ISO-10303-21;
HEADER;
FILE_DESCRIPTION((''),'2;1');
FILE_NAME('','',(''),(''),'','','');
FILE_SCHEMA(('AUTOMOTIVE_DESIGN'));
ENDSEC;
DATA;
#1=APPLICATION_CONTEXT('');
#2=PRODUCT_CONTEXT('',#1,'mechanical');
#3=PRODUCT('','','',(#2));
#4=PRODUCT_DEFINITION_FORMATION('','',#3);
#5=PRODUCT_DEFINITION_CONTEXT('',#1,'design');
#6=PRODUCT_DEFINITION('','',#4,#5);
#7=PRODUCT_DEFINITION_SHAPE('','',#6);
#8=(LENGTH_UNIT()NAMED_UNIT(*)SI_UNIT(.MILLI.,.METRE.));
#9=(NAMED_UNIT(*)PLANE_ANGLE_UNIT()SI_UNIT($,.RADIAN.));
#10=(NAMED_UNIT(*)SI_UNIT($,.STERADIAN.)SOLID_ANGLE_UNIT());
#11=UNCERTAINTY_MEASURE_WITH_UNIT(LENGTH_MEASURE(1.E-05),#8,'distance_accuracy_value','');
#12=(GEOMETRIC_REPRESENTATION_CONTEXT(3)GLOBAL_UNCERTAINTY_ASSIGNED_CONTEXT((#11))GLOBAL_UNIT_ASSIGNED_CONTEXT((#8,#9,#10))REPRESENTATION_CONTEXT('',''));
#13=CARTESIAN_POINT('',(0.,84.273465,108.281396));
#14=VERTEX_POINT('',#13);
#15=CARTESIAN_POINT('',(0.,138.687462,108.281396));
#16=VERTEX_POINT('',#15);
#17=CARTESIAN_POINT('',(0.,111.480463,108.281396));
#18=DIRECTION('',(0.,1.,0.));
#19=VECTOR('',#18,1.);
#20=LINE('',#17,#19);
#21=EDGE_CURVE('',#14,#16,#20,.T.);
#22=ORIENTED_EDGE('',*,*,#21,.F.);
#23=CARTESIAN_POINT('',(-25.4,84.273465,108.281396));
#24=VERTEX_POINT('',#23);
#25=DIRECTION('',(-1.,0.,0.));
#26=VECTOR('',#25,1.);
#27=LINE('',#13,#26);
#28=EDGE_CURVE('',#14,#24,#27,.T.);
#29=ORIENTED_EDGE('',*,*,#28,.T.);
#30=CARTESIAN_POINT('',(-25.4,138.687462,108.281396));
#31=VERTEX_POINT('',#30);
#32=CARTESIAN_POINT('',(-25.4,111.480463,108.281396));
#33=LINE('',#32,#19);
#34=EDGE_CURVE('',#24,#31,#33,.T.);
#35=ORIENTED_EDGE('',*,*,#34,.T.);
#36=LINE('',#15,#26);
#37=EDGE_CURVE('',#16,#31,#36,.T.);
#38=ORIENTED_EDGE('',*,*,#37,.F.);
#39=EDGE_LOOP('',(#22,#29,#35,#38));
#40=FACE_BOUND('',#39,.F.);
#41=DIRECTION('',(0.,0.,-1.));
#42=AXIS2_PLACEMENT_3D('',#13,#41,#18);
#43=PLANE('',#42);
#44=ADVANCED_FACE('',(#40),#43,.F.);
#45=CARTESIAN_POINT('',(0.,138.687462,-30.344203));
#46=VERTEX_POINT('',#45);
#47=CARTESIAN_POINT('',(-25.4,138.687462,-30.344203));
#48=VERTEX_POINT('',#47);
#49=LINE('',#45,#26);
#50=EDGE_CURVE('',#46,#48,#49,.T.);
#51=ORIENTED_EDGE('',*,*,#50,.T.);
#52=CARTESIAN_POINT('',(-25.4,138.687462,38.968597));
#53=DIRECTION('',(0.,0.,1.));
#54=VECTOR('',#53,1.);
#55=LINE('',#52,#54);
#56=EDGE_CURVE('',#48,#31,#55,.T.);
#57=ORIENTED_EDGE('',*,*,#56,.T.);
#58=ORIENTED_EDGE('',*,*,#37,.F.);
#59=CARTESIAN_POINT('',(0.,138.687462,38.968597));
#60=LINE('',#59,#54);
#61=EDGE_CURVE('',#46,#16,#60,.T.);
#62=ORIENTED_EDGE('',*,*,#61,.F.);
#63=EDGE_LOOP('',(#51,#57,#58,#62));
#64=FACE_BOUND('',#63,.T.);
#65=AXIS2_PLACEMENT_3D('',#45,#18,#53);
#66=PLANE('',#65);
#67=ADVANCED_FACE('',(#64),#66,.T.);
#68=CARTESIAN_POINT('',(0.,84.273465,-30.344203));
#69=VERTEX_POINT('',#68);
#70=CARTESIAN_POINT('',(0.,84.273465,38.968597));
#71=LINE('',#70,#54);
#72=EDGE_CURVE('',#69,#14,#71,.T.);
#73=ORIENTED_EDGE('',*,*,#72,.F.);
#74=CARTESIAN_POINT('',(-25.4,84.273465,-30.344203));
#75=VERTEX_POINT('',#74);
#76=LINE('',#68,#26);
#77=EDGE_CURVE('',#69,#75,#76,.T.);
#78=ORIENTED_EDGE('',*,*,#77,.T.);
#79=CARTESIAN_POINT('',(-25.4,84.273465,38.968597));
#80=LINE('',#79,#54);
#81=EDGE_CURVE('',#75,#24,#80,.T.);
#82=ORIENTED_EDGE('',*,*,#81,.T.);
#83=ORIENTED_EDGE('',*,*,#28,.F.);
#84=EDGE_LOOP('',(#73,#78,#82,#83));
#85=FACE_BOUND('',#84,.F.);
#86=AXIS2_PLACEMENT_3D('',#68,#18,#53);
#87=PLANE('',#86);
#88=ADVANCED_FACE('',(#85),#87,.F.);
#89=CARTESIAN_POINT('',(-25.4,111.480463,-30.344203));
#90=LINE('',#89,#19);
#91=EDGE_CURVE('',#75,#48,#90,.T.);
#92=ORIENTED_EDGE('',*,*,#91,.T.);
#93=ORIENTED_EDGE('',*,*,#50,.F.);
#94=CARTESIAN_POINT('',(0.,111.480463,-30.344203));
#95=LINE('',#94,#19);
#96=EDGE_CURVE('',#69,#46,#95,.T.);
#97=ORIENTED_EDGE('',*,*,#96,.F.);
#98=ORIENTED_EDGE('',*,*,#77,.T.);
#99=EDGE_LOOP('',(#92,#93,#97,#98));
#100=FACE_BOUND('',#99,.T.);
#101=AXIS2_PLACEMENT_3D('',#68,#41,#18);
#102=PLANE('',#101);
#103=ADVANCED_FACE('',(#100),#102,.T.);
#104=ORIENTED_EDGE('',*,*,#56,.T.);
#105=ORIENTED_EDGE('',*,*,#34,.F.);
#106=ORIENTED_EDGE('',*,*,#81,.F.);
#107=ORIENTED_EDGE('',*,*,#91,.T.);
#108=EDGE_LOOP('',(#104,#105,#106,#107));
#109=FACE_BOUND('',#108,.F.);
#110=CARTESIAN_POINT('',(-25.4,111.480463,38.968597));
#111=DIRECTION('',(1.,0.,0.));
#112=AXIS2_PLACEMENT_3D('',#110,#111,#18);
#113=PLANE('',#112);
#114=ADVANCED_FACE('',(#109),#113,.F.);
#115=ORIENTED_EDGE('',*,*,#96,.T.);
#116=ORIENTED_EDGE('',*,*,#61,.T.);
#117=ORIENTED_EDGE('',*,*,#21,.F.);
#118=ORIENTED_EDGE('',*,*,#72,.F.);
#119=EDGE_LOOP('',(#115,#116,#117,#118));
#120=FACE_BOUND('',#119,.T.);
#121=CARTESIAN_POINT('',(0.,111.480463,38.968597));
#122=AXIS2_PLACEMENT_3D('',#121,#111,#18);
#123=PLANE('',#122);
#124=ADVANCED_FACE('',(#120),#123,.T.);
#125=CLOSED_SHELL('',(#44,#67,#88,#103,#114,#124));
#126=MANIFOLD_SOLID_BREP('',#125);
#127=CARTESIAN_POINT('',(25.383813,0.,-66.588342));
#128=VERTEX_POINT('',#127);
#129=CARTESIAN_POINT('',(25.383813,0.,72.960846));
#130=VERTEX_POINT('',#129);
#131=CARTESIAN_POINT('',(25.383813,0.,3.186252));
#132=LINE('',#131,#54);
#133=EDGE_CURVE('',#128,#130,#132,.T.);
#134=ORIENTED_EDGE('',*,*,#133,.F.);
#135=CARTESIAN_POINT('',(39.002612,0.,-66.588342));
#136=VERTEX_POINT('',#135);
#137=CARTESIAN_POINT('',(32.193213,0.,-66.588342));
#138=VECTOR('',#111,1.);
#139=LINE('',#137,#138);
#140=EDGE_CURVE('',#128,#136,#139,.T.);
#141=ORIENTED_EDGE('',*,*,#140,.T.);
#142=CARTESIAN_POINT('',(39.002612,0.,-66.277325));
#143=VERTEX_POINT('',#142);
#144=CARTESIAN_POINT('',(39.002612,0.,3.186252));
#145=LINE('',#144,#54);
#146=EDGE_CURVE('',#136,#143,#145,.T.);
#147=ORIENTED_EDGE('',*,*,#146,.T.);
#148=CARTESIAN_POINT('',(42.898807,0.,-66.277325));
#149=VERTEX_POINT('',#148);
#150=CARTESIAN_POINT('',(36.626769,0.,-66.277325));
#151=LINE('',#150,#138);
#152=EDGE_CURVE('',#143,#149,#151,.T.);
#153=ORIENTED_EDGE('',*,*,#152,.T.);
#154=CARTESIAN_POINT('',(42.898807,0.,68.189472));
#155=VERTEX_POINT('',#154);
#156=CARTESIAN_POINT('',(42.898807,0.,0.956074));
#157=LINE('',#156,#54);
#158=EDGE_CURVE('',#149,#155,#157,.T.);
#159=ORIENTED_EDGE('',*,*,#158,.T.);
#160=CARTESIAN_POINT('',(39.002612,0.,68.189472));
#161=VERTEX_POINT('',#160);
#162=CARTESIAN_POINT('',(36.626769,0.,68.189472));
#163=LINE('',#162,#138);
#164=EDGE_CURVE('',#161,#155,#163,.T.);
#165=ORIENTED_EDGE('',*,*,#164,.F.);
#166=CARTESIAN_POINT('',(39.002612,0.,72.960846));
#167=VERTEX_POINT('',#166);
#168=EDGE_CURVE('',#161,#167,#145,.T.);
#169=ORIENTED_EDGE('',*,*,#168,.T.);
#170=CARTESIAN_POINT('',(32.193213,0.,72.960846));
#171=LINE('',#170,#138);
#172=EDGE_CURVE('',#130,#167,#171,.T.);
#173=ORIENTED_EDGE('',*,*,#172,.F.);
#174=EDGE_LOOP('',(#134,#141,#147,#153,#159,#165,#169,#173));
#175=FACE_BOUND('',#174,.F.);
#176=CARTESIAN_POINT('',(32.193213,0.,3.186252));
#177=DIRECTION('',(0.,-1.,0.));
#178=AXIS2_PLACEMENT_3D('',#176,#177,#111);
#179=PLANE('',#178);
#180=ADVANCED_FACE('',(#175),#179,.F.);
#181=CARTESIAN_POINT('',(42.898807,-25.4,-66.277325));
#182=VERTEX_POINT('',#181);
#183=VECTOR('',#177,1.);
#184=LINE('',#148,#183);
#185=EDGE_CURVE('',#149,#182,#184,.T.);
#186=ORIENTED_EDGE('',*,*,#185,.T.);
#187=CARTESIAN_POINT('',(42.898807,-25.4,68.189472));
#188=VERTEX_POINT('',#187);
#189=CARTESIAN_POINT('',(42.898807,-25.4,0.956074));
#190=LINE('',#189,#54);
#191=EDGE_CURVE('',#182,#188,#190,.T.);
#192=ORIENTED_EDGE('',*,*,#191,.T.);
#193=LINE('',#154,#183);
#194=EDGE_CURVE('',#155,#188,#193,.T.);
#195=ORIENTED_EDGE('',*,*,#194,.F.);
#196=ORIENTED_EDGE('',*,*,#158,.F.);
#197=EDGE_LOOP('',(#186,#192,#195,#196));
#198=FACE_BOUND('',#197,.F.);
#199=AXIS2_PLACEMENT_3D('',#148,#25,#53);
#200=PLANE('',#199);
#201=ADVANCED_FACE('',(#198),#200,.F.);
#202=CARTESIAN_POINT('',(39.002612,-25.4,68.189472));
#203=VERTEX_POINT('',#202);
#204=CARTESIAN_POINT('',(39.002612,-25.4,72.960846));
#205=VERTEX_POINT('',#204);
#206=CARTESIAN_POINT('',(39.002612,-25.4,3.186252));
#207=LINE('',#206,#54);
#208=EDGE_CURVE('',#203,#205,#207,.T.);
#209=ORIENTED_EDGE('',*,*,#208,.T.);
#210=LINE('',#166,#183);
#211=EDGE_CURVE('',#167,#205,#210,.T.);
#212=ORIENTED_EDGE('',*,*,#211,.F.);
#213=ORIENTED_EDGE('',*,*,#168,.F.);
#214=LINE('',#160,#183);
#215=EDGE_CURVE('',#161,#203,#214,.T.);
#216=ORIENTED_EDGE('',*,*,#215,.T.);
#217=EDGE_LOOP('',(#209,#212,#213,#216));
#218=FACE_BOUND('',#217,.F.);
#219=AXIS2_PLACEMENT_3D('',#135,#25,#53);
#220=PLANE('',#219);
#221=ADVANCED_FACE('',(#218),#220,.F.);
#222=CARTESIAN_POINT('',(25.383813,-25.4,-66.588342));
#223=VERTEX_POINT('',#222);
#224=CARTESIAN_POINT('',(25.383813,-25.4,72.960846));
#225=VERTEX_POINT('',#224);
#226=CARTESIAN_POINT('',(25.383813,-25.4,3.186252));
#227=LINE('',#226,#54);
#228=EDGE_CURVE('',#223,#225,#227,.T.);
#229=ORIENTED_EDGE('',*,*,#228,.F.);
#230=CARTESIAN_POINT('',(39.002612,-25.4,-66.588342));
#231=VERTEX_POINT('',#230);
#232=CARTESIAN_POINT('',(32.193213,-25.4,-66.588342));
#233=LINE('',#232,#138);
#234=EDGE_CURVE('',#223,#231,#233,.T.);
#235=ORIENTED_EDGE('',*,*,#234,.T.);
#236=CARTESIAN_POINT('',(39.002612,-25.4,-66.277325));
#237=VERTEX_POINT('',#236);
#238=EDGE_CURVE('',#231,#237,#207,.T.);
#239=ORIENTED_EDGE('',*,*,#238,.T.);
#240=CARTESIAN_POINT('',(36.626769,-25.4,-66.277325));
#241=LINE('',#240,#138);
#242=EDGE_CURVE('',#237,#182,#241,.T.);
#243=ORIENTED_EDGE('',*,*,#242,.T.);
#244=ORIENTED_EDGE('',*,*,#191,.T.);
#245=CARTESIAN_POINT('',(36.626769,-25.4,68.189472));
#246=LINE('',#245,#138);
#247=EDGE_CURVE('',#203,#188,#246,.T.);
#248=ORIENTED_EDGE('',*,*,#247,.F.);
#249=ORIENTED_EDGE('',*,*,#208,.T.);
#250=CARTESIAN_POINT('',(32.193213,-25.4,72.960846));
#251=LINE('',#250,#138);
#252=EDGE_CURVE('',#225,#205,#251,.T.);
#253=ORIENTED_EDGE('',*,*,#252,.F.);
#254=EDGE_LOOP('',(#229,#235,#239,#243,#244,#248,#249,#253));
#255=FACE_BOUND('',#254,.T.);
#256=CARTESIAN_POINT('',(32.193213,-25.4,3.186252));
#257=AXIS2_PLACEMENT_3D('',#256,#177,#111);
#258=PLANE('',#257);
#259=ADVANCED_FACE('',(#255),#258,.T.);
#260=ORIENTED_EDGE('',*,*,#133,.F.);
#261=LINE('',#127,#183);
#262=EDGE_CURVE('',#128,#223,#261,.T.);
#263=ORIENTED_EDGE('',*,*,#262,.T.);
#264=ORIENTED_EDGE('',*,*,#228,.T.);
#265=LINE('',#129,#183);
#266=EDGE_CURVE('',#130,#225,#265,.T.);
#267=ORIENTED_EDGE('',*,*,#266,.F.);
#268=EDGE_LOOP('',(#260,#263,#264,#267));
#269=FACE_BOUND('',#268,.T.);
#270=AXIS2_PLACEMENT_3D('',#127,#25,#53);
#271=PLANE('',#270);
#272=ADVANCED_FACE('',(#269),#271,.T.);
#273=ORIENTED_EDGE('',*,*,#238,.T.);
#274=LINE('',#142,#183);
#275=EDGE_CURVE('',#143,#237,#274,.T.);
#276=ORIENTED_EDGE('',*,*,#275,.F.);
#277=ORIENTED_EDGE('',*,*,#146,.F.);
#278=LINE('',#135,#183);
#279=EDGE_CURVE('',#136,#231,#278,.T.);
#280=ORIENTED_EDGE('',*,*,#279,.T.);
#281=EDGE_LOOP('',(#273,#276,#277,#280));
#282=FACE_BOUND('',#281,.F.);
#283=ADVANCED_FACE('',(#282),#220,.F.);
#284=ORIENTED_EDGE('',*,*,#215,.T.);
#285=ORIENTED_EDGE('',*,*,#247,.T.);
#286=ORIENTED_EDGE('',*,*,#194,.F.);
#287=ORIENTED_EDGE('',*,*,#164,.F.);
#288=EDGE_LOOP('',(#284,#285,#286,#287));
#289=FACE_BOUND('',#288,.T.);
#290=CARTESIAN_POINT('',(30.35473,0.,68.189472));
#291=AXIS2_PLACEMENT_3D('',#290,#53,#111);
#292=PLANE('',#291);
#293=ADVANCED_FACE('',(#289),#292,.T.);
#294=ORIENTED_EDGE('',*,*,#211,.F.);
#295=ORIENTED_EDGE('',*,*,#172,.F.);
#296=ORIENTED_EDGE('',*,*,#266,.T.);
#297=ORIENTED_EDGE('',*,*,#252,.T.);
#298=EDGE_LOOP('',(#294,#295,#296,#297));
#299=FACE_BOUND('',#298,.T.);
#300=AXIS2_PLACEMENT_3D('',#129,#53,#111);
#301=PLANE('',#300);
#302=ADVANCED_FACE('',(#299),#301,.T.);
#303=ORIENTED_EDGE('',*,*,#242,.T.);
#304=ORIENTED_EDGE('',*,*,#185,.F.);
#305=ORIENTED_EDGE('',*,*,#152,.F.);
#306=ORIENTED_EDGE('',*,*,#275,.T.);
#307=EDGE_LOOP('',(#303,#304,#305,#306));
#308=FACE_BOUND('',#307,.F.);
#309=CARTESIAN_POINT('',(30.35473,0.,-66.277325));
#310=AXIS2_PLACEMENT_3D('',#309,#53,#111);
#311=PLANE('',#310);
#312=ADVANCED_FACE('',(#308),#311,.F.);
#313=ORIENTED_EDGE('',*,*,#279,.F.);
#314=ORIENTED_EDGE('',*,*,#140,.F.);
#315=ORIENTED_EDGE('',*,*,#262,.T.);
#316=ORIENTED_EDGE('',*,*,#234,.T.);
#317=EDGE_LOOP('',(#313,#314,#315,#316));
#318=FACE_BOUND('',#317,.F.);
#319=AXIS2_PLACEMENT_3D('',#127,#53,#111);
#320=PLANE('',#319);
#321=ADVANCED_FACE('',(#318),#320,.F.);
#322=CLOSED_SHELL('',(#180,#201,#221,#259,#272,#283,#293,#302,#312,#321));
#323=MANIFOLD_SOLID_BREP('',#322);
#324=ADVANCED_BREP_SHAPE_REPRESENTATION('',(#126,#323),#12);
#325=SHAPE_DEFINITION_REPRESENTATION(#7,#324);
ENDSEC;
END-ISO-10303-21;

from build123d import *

# Parameters (mm, degrees)
F0_W     = 54.413997
F0_H     = 138.625599
F1_DEPTH = 25.4
F2_W     = 12.544077
F2_H     = 134.466797
F3_DEPTH = 25.4
F4_W     = 13.618799
F4_H     = 139.549188
F5_DEPTH = 25.4


with BuildPart() as f1:
    # F0 (on Right) → F1 (new body)
    with BuildSketch(Plane.YZ):
        with Locations((111.480463, 38.968597)):
            Rectangle(F0_W, F0_H)
    extrude(amount=-F1_DEPTH)


with BuildPart() as f3:
    # F2 (on Front) → F3 (new body)
    with BuildSketch(Plane.XZ):
        with Locations((36.626769, 0.956074)):
            Rectangle(F2_W, F2_H)
    extrude(amount=F3_DEPTH)

    # F4 (on Front) → F5 (join)
    with BuildSketch(Plane.XZ):
        with Locations((32.193213, 3.186252)):
            Rectangle(F4_W, F4_H)
    extrude(amount=F5_DEPTH)


solid = Compound([f1.part, f3.part])
